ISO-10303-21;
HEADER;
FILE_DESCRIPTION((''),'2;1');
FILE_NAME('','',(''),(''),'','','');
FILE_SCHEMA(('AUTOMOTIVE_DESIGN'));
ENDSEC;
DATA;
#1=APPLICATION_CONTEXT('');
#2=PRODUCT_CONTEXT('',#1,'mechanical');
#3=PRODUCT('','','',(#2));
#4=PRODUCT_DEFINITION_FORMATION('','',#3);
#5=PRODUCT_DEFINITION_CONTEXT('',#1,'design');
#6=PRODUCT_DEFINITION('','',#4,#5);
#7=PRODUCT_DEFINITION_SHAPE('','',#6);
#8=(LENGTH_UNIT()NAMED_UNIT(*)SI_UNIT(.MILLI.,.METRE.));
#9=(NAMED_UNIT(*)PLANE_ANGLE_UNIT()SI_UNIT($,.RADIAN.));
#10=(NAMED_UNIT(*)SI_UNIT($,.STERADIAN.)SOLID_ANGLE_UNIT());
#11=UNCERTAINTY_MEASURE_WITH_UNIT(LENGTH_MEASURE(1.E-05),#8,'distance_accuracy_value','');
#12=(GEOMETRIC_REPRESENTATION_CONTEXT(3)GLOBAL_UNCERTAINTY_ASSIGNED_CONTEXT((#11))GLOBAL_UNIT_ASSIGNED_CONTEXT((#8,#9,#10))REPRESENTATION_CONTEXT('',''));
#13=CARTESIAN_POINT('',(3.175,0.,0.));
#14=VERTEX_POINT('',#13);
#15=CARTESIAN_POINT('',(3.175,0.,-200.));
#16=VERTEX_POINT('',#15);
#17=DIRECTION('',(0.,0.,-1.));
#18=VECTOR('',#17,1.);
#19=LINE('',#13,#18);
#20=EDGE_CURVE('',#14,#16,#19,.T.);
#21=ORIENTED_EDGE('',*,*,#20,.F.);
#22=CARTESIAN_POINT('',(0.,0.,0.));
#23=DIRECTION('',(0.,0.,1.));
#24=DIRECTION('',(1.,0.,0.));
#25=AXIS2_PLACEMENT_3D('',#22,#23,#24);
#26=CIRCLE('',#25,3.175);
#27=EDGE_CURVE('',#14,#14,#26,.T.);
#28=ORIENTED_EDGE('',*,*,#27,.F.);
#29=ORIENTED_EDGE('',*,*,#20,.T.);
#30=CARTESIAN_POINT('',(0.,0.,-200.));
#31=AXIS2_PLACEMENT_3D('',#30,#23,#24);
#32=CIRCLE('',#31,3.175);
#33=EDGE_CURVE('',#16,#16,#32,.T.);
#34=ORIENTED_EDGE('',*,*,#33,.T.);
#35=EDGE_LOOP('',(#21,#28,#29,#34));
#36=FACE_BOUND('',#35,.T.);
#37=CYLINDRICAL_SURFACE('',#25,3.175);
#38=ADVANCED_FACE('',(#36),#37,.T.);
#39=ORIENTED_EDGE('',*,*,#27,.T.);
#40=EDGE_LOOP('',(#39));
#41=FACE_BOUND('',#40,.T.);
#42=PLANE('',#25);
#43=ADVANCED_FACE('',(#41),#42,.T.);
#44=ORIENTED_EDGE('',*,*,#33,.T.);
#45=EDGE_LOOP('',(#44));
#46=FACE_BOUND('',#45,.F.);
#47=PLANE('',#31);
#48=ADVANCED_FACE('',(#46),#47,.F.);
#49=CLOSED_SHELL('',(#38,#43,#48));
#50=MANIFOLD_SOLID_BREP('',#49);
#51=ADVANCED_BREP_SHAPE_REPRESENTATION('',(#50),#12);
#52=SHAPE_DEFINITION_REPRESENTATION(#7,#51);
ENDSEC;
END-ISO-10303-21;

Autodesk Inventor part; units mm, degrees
ref_plane "YZ Plane" through (0, 0, 0) normal (1, 0, 0) x (0, 1, 0)
ref_plane "XZ Plane" through (0, 0, 0) normal (0, 1, 0) x (-1, 0, 0)
ref_plane "XY Plane" through (0, 0, 0) normal (0, 0, 1) x (1, 0, 0)
sketch "Sketch1" plane through (0, 0, 0) normal (0, 0, 1) x (1, 0, 0)
  circle A0 centre (0, 0) radius 3.175
  dimension "d0" = 6.35
extrude "Extrusion1" add sketch "Sketch1" against normal blind 200
properties part number "AcrylicRod" material "Acrylic, Clear"
